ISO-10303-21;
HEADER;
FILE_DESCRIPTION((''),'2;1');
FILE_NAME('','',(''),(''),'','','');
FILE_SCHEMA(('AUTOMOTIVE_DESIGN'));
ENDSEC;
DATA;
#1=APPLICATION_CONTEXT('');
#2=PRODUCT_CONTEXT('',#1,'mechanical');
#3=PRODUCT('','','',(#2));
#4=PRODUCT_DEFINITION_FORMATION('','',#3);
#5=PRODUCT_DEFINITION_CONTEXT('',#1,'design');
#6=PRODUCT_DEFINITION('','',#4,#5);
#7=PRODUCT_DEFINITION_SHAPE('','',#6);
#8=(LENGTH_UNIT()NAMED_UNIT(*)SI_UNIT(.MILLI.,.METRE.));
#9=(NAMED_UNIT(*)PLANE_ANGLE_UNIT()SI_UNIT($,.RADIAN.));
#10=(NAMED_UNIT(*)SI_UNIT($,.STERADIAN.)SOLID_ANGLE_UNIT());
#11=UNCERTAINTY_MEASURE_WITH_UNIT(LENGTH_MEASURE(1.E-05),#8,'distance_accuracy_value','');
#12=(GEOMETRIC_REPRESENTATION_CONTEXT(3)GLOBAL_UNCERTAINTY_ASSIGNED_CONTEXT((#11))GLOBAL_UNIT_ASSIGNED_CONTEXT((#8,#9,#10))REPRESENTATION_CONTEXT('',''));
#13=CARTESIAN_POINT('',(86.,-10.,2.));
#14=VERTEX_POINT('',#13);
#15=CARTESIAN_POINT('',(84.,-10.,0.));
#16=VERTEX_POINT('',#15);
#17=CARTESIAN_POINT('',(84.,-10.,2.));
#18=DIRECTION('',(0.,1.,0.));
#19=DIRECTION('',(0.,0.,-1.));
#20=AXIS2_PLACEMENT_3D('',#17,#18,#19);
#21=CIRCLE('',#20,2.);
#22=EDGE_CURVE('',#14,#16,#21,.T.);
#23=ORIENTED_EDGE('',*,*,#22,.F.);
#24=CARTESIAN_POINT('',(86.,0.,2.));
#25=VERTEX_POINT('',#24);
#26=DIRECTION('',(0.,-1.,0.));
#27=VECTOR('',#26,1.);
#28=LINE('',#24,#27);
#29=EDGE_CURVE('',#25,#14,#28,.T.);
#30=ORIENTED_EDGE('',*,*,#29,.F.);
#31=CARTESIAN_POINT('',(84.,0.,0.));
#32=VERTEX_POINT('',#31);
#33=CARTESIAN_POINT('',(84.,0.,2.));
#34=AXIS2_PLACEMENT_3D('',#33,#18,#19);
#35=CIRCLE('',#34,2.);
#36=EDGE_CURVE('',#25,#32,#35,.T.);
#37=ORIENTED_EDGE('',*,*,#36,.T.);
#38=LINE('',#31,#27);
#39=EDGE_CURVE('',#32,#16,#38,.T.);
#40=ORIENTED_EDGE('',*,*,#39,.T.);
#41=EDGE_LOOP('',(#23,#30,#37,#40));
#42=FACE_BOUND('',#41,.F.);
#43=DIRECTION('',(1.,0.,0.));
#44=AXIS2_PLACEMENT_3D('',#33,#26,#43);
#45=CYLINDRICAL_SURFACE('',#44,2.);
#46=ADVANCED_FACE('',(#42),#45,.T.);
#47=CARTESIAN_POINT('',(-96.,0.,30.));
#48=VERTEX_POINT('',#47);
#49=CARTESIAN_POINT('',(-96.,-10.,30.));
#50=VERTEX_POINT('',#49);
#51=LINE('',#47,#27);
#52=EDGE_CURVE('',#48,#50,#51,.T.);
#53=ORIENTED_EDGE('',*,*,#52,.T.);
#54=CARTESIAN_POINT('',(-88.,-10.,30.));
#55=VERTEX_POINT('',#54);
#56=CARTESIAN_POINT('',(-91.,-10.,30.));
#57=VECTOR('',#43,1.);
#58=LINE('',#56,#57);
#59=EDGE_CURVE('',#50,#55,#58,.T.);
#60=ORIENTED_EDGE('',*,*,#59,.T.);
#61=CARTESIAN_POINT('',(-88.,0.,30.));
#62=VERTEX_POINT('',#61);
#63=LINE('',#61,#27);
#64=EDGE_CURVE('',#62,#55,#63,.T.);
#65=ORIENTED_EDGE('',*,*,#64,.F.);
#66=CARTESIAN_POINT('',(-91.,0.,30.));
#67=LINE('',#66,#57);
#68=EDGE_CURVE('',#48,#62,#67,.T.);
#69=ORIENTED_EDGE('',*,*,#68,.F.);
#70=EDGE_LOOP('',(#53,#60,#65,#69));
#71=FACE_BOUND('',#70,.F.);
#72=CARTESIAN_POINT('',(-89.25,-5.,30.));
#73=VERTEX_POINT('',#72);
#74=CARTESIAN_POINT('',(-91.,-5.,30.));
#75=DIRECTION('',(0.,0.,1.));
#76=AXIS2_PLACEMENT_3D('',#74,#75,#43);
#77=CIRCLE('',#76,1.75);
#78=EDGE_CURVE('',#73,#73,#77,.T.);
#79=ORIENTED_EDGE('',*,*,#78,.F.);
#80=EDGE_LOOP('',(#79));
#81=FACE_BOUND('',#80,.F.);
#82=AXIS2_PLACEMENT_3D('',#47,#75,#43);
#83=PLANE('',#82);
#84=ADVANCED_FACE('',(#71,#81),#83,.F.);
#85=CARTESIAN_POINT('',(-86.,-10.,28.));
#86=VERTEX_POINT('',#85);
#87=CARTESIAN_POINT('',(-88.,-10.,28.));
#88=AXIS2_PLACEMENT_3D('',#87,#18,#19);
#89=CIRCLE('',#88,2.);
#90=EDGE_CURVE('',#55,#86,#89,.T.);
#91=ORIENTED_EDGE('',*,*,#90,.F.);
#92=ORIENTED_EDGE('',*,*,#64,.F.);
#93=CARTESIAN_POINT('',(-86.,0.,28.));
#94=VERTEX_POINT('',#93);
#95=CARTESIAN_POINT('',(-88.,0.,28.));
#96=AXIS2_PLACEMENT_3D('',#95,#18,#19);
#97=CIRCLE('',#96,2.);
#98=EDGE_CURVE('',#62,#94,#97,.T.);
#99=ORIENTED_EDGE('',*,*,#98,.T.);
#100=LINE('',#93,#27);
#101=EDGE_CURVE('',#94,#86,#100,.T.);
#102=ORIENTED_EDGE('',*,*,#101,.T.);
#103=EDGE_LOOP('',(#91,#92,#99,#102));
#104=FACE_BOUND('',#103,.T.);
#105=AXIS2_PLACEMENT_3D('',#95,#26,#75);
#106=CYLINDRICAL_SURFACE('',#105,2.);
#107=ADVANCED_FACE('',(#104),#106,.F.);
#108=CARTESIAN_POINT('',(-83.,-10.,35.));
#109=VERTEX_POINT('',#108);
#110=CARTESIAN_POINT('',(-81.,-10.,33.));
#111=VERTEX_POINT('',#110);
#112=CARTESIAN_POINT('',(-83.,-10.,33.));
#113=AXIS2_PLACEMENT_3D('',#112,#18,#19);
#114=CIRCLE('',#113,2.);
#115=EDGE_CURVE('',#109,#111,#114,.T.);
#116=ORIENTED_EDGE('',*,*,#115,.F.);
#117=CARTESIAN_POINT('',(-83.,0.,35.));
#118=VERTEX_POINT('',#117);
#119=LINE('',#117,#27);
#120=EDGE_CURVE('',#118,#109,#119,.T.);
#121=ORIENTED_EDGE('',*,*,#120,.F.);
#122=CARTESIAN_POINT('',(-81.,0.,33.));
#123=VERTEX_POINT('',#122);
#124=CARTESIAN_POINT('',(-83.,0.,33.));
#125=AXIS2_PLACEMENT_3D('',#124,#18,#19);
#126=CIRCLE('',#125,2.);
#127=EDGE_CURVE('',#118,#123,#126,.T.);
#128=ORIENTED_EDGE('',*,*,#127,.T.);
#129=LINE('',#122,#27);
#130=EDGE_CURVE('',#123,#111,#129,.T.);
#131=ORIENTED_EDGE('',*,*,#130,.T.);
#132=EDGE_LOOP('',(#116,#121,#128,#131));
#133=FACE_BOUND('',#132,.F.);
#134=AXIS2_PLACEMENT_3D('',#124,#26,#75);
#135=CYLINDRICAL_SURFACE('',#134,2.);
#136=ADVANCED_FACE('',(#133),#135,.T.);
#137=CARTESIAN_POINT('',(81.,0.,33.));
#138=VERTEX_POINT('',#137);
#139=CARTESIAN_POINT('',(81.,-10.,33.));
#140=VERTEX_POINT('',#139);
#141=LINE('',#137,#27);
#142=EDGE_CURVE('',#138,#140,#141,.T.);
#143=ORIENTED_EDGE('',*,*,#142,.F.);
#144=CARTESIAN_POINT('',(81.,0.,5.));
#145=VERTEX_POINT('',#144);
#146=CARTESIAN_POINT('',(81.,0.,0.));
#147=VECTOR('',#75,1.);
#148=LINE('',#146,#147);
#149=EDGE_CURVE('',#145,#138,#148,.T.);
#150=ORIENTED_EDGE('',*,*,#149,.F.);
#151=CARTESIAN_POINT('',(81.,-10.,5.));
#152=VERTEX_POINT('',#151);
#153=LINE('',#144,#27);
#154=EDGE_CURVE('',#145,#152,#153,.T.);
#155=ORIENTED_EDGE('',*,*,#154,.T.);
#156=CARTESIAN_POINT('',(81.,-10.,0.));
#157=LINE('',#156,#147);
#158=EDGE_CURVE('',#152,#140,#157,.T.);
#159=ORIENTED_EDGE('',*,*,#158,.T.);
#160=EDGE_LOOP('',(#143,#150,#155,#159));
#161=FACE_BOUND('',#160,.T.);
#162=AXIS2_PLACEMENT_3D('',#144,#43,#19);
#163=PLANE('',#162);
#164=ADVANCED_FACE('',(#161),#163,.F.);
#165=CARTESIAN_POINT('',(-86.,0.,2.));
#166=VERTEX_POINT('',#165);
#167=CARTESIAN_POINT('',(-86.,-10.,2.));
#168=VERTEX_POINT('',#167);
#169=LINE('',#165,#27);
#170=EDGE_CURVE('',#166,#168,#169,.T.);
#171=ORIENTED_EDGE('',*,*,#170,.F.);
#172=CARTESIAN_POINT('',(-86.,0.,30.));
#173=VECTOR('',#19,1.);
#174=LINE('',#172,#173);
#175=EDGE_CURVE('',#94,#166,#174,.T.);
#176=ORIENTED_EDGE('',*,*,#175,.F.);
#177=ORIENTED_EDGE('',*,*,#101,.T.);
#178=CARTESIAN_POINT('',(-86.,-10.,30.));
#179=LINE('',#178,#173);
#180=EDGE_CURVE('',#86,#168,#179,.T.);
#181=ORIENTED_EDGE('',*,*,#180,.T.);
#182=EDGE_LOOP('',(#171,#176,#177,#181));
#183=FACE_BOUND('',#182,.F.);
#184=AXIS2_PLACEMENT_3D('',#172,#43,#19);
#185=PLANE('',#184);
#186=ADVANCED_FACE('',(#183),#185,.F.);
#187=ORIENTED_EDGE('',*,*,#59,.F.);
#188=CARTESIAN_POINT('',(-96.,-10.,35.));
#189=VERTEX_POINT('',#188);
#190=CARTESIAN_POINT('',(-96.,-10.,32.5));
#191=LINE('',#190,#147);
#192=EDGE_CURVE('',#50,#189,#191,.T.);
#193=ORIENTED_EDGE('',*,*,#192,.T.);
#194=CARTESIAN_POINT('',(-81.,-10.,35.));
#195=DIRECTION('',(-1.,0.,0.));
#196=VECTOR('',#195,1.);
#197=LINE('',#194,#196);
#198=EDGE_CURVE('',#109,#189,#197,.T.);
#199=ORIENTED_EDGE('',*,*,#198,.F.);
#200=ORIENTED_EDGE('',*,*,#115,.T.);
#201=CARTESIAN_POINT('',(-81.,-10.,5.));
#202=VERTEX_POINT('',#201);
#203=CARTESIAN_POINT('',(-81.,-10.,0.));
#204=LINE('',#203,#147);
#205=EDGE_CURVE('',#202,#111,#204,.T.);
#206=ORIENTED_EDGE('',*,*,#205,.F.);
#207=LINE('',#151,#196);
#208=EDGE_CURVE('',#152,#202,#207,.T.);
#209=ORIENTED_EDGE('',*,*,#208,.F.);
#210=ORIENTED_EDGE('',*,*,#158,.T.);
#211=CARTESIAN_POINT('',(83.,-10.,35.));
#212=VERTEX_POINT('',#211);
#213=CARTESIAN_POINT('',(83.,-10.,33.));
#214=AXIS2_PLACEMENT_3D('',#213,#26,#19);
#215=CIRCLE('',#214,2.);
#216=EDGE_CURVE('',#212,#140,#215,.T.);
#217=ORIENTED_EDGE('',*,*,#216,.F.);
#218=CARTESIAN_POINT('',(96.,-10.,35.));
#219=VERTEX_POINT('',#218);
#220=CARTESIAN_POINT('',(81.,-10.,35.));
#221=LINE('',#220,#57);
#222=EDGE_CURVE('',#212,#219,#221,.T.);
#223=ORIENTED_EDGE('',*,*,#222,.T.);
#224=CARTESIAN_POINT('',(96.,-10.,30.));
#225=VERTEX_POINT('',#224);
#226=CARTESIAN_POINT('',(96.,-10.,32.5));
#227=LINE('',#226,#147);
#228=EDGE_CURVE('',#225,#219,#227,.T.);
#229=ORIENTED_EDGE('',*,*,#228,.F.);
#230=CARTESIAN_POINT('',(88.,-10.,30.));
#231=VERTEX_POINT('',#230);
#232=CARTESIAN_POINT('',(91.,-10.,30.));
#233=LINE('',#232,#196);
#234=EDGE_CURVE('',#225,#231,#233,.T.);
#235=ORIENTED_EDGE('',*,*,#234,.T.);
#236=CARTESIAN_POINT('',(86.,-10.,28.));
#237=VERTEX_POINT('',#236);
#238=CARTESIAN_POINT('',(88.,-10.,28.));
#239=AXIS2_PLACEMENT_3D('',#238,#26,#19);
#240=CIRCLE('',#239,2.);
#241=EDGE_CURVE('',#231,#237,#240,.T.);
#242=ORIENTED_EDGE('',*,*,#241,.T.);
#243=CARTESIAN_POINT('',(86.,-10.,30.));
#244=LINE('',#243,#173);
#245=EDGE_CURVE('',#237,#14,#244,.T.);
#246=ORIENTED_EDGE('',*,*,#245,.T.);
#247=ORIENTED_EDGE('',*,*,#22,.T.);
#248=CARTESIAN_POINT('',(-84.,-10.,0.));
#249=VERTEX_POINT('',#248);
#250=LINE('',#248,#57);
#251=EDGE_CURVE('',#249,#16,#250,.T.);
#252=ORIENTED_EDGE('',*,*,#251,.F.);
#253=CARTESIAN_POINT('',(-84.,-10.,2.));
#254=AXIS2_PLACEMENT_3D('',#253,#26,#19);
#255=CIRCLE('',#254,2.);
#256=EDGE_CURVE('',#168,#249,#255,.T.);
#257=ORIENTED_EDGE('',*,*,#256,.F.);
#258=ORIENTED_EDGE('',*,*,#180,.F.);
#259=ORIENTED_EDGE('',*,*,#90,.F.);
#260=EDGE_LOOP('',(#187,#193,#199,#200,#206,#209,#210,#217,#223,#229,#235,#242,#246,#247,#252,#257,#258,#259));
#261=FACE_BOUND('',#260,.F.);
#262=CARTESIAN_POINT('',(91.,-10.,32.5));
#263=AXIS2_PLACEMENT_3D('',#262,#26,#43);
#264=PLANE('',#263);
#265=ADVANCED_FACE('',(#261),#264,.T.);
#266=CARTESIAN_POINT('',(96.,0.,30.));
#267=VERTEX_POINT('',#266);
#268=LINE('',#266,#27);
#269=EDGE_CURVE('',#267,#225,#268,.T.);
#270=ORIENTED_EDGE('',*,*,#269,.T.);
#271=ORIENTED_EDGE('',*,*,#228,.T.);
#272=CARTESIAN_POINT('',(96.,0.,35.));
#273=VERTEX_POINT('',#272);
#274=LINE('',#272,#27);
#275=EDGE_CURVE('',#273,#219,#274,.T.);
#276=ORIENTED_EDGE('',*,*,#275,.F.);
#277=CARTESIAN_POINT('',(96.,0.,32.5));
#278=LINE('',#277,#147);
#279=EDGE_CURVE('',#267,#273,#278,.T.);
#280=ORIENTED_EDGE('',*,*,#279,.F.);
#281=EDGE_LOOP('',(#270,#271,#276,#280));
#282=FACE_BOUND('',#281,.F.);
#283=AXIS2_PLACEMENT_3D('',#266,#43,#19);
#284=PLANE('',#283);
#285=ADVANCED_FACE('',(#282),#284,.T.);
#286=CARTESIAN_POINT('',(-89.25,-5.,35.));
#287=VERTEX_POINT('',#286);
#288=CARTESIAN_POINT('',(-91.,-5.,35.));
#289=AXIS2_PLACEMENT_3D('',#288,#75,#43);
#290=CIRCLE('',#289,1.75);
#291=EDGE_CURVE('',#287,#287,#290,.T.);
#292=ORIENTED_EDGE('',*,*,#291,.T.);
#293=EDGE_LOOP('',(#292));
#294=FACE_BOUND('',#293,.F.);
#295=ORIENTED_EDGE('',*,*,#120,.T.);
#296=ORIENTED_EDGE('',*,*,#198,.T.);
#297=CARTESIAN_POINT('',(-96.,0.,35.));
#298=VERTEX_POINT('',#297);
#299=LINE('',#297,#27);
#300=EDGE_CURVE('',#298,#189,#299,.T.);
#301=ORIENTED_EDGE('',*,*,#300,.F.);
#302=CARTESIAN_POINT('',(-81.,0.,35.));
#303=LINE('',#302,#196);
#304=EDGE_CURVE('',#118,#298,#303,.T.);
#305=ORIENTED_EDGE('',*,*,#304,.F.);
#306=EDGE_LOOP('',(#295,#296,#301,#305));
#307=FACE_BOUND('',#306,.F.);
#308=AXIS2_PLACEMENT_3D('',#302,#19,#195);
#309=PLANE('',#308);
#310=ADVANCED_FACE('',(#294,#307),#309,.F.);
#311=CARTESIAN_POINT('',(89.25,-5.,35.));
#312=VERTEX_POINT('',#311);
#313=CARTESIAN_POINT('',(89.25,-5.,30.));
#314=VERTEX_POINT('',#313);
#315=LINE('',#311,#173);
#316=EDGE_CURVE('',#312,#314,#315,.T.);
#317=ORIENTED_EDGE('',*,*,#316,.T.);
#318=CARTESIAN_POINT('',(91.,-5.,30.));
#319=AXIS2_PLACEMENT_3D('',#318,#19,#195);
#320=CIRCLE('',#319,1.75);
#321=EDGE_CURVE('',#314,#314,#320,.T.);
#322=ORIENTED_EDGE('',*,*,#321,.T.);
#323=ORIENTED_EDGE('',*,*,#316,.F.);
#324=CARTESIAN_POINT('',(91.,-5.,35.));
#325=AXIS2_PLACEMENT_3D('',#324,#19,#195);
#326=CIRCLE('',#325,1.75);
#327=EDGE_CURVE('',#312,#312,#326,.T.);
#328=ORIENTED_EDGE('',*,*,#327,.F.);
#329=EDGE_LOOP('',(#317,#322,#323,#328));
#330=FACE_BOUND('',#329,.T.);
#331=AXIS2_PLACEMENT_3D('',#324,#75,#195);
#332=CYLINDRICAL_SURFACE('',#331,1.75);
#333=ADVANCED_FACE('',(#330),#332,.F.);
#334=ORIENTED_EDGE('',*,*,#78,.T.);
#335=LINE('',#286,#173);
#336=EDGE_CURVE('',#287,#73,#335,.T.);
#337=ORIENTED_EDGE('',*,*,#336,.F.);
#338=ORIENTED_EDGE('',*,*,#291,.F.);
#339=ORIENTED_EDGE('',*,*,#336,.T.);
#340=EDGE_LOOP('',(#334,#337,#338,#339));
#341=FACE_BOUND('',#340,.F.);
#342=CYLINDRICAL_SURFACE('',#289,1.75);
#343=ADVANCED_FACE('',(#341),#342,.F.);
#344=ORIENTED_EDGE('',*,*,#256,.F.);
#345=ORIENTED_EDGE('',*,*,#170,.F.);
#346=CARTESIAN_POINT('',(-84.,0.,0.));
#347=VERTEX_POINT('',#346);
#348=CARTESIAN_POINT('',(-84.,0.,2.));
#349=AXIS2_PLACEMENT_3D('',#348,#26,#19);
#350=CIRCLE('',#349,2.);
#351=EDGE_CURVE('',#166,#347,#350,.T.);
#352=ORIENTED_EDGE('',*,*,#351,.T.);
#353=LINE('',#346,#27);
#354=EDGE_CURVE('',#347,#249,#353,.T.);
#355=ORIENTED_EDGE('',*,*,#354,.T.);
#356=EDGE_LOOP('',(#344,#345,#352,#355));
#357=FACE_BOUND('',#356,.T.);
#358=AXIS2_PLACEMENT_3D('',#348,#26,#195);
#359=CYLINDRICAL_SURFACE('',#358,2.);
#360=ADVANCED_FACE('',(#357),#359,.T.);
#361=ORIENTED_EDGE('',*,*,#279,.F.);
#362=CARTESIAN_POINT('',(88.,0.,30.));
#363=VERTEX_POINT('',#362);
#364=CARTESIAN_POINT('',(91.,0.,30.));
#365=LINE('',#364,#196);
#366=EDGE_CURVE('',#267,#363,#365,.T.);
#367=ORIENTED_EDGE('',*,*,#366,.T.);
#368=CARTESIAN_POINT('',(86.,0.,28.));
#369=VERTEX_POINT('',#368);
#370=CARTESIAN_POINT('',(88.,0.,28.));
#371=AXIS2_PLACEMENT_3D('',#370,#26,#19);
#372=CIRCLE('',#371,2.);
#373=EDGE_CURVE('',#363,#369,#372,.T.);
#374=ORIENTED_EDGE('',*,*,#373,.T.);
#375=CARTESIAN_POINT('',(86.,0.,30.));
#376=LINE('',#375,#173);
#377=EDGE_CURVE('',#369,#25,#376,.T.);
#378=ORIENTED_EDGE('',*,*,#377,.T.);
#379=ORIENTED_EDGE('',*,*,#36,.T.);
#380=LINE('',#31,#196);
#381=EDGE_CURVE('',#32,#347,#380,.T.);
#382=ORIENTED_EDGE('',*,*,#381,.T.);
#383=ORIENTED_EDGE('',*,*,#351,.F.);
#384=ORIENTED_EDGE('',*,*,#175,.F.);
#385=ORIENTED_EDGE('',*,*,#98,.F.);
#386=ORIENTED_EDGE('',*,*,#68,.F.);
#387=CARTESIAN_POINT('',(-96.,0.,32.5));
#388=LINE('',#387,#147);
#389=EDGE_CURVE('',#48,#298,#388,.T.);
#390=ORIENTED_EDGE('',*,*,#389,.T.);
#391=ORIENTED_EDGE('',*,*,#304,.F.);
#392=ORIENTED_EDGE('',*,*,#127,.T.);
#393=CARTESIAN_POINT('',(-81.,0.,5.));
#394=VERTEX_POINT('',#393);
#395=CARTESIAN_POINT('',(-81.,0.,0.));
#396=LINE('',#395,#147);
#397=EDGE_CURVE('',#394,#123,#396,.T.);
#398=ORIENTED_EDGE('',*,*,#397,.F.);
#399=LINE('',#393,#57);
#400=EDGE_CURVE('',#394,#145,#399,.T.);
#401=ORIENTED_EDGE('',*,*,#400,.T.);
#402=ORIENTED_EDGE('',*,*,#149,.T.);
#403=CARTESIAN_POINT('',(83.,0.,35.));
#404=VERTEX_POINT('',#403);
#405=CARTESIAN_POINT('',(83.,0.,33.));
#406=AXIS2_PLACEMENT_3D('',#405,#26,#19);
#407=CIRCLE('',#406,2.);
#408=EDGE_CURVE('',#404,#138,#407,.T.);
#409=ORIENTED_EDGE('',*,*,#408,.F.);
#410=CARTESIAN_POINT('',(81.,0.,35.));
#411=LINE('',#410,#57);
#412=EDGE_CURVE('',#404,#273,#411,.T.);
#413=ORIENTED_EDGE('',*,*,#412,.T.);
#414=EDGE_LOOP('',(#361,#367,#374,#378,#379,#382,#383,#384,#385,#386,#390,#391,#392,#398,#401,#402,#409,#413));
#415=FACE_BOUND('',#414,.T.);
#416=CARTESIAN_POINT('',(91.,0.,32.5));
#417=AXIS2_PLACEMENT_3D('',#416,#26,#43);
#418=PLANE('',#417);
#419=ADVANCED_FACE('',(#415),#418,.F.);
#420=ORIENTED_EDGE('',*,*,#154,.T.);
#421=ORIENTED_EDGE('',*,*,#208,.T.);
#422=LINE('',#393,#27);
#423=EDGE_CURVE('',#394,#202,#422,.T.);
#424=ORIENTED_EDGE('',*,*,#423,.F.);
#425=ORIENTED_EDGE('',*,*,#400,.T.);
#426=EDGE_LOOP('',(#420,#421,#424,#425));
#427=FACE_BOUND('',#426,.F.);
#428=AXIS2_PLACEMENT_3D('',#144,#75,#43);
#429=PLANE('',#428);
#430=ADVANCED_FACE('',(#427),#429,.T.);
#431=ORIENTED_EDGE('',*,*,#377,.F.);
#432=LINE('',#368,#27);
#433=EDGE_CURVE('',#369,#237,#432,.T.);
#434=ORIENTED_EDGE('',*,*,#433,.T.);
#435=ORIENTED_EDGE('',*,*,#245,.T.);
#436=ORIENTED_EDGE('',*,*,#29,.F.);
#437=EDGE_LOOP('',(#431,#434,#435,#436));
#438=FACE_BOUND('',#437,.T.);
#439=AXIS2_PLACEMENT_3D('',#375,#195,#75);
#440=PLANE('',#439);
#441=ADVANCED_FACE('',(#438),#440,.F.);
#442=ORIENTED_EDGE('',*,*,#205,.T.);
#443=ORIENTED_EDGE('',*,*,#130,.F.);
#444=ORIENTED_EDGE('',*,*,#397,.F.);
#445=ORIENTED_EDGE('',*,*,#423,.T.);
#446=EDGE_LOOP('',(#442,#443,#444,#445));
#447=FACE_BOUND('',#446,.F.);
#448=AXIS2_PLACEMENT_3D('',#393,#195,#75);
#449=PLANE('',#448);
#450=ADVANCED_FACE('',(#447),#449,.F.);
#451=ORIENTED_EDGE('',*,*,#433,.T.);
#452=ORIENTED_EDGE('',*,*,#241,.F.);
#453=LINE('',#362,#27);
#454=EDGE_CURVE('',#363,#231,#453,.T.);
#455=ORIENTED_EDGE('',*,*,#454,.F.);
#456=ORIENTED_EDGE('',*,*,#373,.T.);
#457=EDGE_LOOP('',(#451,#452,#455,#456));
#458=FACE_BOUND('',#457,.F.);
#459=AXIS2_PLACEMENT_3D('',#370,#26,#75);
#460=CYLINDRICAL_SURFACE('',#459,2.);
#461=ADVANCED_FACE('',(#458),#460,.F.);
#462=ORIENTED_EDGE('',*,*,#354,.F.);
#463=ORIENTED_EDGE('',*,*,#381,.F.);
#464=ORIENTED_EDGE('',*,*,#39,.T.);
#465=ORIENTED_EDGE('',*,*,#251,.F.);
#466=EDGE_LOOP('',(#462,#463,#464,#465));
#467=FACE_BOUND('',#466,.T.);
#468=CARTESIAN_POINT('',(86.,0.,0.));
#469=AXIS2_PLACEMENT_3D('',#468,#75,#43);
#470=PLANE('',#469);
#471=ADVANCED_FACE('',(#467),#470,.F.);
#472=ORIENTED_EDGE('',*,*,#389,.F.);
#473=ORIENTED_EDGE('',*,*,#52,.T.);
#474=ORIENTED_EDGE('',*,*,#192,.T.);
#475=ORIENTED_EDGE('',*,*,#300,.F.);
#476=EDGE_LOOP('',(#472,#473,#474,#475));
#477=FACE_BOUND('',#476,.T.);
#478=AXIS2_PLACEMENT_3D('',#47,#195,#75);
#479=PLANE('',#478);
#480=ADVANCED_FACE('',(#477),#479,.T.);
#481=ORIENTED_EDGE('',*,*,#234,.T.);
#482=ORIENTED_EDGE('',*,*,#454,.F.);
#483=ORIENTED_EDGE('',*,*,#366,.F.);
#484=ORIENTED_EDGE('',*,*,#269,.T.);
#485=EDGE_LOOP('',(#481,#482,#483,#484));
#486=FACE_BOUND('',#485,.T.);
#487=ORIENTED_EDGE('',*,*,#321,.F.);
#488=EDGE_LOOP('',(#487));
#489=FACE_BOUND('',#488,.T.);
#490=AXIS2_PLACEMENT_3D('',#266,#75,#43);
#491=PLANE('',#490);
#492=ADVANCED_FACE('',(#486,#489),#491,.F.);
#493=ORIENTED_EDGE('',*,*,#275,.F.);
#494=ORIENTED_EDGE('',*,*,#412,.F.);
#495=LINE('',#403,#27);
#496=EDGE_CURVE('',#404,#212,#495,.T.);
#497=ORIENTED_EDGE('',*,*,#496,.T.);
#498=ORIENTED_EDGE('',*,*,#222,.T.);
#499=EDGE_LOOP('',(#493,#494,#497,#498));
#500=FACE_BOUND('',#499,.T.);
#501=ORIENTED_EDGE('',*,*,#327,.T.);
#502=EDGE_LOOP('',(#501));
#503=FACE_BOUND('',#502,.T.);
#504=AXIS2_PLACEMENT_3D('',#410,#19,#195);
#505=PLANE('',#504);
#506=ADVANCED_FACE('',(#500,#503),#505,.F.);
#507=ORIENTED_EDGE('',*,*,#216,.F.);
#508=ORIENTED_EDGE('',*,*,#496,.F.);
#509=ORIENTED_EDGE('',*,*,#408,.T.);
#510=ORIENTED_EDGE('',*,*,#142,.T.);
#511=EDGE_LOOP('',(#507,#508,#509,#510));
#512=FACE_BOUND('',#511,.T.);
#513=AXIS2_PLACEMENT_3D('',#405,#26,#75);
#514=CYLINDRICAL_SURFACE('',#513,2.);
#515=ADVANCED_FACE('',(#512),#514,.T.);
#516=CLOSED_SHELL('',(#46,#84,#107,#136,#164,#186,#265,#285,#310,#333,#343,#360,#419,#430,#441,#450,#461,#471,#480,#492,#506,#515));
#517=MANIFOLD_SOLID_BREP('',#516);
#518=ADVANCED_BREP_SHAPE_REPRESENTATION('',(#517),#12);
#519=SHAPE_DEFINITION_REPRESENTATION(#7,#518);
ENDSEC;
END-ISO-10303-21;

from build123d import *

# Parameters (mm, degrees)
F0_W     = 10
F0_H     = 5
F0_W_2   = 81
F1_DEPTH = 10
F2_R     = 1.75
F3_DEPTH = 35.001
F4_R     = 2


with BuildPart() as f1:
    # F0 (on Front) → F1 (new body)
    with BuildSketch(Plane.XZ):
        with Locations((-91, 32.5)):
            Rectangle(F0_W, F0_H)
        Polygon((-86, 0), (-81, 0), (-81, 5), (-81, 35), (-86, 35), (-86, 30), align=None)
        with Locations((-40.5, 2.5)):
            Rectangle(F0_W_2, F0_H)
    extrude(amount=F1_DEPTH)

    # F2 (on face) → F3 (cut, through all)
    with BuildSketch(Plane.XY.offset(35)):
        with Locations((-91, -5)):
            Circle(F2_R)
    extrude(amount=-F3_DEPTH, mode=Mode.SUBTRACT)

    # F4
    f4_edges = [f1.edges().sort_by_distance(p)[0] for p in [
        (-81, -5, 35),
        (-86, -5, 30),
        (-86, -5, 0),
    ]]
    fillet(f4_edges, radius=F4_R)

    # F5: F1 across plane


with BuildPart() as f1_1:
    add(f1.part)
    add(f1.part.mirror(Plane.YZ))


solid = f1_1.part
